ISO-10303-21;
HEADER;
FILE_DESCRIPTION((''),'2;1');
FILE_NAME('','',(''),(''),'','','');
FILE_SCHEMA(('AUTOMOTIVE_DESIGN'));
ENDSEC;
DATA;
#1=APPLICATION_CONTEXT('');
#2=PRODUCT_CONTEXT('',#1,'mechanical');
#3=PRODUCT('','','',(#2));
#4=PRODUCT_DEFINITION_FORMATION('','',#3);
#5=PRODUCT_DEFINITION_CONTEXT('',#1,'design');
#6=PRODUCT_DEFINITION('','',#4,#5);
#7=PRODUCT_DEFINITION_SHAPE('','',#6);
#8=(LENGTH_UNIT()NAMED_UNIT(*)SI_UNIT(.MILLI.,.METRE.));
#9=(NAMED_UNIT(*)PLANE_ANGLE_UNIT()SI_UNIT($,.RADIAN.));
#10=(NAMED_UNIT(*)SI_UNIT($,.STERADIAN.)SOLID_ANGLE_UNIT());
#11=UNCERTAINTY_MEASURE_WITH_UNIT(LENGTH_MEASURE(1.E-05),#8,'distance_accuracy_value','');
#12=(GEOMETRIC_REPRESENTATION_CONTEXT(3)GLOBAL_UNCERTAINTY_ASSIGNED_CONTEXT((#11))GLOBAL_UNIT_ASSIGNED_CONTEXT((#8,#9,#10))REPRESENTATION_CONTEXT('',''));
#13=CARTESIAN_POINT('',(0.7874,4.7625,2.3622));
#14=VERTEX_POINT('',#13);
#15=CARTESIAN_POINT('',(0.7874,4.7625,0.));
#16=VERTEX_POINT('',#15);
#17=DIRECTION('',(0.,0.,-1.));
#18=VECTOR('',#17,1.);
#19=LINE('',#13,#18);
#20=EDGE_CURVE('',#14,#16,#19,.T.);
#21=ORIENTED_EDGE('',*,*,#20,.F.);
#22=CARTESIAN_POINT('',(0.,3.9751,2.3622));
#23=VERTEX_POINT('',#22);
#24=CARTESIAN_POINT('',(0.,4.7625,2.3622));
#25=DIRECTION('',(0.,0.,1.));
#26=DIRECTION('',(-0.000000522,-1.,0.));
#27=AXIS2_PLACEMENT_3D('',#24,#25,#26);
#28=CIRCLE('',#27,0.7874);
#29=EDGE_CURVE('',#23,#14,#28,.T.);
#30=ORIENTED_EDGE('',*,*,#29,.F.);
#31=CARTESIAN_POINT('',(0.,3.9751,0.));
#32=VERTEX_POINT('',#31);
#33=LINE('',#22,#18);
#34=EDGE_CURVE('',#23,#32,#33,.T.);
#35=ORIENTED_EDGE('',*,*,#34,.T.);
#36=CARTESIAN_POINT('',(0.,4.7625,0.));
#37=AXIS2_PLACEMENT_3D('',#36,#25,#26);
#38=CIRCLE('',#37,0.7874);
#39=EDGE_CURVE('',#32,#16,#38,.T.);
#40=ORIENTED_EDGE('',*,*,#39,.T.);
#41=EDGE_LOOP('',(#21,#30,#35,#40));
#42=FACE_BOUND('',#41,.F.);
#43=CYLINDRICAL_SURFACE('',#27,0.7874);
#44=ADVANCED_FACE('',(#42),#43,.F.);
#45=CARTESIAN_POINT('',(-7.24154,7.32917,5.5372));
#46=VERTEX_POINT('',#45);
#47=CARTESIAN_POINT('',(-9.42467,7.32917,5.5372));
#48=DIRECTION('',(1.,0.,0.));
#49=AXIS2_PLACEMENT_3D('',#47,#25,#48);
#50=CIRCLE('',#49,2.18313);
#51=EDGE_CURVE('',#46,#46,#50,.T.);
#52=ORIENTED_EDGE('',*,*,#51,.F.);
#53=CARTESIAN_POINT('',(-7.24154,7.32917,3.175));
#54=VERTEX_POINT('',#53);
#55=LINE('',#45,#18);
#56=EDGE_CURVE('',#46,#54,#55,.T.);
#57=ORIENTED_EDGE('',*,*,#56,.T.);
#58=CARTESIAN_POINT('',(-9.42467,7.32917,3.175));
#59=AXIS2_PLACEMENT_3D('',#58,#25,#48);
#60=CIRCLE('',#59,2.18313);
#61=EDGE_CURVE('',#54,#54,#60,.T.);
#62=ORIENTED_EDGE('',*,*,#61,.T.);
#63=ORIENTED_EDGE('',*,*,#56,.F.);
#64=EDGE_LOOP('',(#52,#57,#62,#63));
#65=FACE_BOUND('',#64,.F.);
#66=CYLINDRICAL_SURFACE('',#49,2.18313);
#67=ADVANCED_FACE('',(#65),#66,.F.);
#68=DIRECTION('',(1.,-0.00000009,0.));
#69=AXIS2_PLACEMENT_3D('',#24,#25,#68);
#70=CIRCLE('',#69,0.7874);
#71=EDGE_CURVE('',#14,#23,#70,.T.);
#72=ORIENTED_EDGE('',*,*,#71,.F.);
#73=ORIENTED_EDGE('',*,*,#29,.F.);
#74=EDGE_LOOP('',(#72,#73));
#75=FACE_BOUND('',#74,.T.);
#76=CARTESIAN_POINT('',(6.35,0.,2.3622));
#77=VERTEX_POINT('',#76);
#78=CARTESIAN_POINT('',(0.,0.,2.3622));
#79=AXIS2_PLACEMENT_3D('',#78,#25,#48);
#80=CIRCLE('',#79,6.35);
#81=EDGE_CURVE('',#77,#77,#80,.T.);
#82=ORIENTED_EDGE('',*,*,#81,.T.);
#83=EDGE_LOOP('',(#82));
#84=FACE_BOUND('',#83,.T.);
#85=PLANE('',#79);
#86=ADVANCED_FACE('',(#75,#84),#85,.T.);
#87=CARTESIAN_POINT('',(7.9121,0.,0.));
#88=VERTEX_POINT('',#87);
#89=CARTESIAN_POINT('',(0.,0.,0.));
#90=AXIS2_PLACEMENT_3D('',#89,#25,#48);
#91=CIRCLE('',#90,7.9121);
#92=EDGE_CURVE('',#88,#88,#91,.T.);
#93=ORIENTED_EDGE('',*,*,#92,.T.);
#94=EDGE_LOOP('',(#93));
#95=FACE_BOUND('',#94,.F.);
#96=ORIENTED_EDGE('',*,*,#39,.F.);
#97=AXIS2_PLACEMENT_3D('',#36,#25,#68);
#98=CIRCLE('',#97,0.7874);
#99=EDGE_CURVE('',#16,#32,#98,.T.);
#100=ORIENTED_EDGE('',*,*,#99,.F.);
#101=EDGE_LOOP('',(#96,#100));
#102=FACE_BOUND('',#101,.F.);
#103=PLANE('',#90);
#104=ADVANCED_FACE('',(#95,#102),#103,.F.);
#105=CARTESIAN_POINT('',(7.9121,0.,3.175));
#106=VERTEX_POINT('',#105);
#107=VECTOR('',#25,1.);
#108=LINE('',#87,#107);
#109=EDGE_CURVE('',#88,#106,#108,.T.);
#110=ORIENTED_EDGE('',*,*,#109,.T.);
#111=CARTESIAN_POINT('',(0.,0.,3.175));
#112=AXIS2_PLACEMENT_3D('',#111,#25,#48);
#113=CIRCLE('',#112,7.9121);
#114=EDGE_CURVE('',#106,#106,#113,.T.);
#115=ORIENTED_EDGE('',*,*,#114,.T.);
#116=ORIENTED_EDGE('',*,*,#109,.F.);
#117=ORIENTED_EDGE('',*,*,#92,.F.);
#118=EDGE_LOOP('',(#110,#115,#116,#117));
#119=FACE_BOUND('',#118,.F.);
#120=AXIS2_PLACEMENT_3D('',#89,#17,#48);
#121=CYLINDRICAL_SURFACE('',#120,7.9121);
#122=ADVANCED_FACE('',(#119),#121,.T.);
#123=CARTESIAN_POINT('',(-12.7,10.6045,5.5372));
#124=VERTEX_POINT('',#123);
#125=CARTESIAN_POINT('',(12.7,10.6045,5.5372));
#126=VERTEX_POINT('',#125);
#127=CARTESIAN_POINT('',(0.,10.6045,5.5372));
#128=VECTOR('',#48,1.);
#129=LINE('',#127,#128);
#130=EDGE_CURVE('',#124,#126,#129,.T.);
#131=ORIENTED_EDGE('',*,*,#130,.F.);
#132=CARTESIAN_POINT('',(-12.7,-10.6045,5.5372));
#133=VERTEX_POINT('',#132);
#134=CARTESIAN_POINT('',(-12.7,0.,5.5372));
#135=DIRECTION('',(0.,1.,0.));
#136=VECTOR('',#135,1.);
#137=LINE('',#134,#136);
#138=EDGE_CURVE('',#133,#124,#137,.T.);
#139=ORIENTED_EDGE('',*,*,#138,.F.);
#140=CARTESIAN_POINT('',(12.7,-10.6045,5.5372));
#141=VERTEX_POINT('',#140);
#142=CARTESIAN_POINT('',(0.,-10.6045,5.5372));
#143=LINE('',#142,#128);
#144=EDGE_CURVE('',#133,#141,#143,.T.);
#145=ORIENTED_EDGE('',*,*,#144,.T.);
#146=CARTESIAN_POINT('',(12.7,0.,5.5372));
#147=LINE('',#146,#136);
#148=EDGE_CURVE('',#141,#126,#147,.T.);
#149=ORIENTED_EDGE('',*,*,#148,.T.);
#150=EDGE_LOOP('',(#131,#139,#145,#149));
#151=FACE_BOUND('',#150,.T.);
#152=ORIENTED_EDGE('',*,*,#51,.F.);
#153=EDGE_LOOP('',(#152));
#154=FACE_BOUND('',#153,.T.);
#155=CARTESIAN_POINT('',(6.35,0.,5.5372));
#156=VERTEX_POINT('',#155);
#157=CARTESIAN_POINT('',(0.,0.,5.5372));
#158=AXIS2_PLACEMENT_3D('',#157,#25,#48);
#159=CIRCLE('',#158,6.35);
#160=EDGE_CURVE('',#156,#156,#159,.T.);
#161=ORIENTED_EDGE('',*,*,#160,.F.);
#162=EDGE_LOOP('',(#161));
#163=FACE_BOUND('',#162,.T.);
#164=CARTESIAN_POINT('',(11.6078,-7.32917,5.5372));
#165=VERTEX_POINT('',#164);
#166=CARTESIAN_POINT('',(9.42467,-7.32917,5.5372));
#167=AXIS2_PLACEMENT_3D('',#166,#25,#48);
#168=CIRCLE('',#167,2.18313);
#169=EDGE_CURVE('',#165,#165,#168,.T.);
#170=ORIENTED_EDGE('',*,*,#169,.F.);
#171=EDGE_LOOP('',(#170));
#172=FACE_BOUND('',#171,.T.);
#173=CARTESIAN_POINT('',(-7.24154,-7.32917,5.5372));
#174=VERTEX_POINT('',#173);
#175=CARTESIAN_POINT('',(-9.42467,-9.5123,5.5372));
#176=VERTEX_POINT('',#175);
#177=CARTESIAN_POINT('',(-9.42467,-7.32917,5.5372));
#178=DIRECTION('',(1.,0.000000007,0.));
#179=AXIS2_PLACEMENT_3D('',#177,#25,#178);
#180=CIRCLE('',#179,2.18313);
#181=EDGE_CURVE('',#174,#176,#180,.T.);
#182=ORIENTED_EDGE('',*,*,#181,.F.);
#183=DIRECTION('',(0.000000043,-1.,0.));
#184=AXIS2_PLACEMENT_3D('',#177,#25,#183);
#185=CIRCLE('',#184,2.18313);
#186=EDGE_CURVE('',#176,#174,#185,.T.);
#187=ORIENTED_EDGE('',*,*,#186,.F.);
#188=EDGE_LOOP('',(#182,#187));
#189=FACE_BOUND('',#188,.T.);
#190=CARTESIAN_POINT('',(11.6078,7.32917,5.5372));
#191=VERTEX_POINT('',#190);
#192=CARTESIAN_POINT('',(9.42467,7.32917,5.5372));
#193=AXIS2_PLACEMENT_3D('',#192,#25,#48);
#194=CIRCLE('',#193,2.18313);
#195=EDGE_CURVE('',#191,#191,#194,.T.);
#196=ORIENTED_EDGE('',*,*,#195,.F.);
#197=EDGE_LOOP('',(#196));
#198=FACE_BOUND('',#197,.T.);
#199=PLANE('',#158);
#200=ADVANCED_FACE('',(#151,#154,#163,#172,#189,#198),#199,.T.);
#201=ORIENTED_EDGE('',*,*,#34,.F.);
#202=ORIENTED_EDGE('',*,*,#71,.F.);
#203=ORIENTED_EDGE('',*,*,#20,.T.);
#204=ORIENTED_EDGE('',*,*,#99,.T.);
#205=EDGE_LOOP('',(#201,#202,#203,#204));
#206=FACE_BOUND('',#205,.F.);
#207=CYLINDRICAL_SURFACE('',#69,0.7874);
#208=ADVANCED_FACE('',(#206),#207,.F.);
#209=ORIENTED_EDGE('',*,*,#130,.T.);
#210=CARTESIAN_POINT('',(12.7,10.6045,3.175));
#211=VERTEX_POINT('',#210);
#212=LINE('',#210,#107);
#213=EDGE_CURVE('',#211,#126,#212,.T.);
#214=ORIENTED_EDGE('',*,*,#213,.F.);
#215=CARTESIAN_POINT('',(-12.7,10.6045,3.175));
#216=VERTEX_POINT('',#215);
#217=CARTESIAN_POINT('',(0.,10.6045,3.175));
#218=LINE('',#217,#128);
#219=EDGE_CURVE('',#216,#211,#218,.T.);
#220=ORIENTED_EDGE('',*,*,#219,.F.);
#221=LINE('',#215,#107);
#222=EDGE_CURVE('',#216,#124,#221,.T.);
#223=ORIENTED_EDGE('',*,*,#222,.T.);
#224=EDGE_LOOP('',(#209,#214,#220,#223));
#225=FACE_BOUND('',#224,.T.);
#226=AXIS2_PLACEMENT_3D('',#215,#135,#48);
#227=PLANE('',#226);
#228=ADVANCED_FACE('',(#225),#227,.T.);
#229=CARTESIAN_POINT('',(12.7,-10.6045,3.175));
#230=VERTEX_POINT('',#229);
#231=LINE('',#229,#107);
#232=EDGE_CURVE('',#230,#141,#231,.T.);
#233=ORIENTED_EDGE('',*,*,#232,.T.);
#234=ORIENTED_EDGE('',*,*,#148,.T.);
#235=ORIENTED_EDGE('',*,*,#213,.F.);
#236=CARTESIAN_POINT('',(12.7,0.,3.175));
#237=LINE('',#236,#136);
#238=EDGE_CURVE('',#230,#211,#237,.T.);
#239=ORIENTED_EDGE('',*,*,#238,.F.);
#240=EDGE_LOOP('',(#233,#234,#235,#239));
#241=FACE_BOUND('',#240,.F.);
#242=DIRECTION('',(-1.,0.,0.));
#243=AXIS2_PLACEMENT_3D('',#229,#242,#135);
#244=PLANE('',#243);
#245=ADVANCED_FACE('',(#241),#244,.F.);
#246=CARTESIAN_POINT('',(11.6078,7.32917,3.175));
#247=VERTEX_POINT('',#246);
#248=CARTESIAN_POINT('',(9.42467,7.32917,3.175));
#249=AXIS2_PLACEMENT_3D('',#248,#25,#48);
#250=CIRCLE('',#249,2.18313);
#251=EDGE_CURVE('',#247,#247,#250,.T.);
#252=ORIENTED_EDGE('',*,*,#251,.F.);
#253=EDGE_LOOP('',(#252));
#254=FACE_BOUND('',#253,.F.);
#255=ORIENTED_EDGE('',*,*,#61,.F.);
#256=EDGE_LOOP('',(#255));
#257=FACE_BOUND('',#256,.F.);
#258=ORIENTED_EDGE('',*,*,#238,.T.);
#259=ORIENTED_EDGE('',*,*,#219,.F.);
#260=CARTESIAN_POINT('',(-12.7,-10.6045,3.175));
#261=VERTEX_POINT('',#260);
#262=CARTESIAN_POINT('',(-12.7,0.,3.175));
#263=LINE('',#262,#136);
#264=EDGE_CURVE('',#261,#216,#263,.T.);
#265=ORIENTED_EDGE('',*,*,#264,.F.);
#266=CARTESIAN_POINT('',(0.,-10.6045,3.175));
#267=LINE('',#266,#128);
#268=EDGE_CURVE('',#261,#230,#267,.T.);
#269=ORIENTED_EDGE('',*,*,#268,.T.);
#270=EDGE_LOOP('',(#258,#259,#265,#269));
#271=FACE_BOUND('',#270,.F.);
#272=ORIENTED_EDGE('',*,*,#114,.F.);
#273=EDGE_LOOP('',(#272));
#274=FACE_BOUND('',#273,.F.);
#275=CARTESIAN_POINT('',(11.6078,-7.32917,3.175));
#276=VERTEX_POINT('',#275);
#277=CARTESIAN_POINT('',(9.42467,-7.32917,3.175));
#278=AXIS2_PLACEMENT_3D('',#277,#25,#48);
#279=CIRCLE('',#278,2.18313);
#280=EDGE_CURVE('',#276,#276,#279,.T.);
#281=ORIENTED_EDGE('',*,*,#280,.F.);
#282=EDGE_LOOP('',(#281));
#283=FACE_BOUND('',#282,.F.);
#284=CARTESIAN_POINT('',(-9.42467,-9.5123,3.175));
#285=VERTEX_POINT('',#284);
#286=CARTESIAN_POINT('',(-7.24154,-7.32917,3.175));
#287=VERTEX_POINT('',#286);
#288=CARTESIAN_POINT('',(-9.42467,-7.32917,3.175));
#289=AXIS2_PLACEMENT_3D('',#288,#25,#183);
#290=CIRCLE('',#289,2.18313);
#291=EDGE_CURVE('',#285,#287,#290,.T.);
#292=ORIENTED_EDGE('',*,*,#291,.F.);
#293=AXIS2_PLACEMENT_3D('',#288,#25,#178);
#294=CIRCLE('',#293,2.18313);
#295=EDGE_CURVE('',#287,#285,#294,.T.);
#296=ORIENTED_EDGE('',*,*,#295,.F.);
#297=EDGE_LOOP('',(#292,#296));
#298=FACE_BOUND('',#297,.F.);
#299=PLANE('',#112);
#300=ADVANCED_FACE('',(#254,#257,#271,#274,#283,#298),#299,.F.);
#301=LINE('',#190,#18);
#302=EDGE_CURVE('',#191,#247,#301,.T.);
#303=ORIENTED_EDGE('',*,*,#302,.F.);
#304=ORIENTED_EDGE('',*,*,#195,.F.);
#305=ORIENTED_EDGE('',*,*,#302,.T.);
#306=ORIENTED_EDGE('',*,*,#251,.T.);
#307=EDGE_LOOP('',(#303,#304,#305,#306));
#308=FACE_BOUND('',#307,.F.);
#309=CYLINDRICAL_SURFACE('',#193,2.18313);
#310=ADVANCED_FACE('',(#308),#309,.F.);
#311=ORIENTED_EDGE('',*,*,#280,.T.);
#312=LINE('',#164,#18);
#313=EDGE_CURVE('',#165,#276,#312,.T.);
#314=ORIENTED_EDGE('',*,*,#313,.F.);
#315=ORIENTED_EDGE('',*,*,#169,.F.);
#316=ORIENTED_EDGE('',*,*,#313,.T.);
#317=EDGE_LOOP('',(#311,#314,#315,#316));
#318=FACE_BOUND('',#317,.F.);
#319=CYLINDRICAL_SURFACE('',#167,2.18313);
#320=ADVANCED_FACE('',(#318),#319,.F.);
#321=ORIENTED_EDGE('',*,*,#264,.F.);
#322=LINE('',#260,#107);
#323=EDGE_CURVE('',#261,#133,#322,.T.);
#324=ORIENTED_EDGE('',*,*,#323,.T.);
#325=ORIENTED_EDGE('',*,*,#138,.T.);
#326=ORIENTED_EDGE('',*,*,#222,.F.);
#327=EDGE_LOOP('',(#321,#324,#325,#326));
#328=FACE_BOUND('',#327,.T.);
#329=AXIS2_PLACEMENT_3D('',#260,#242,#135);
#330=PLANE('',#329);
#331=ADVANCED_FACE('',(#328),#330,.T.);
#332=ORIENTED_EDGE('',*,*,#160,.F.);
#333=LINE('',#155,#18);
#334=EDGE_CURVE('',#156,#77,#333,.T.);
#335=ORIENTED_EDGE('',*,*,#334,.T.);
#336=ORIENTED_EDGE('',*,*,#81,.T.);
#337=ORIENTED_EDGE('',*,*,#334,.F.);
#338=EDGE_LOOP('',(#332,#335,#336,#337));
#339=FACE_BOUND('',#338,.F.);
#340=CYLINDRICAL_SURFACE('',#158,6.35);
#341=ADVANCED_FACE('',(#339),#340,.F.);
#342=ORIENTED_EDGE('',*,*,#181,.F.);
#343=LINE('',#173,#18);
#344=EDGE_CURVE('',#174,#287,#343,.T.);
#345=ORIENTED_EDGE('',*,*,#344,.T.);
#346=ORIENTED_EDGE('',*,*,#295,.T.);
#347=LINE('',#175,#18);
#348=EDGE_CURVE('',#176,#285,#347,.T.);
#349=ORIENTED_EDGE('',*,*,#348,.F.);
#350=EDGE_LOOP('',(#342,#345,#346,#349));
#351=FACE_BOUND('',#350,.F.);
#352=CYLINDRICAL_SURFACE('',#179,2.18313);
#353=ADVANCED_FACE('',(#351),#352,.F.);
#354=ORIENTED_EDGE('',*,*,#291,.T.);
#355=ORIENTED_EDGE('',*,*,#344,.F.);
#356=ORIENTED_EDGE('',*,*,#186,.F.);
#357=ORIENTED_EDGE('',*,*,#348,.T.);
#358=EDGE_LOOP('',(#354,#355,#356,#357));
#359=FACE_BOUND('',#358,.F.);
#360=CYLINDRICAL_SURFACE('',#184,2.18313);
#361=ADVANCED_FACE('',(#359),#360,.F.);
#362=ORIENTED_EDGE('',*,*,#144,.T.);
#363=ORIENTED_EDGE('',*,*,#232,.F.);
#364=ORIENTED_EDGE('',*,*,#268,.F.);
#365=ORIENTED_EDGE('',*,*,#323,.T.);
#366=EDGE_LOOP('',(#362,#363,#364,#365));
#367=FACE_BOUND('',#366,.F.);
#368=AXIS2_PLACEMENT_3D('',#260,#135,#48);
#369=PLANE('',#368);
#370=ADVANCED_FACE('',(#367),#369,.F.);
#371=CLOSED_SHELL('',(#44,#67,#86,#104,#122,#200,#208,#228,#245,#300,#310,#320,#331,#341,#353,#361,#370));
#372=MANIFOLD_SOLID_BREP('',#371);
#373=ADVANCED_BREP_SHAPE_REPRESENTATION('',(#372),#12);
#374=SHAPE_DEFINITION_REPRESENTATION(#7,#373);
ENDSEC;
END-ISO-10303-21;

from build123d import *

# Parameters (mm, degrees)
F0_R     = 7.9121
F1_DEPTH = 3.175
F2_W     = 25.4
F2_H     = 21.209
F3_DEPTH = 2.3622
F4_R     = 6.35
F5_DEPTH = 3.175
F7_DEPTH = 2.3632
F8_R     = 2.18313
F9_DEPTH = 5.5382


with BuildPart() as f1:
    # F0 (on Top) → F1 (new body)
    with BuildSketch(Plane.XY):
        Circle(F0_R)
    extrude(amount=F1_DEPTH)

    # F2 (on face) → F3 (join)
    with BuildSketch(Plane.XY.offset(3.175)):
        Rectangle(F2_W, F2_H)
    extrude(amount=F3_DEPTH)

    # F4 (on face) → F5 (cut)
    with BuildSketch(Plane.XY.offset(5.5372)):
        Circle(F4_R)
    extrude(amount=-F5_DEPTH, mode=Mode.SUBTRACT)

    # F6 (on face) → F7 (cut, through all)
    with BuildSketch(Plane.XY.offset(2.3622)):
        with BuildLine():
            ThreePointArc((0, 3.9751), (0.556776, 4.205724), (0.7874, 4.7625))
            ThreePointArc((0.7874, 4.7625), (-0.556776, 5.319276), (0, 3.9751))
        make_face()
    extrude(amount=-F7_DEPTH, mode=Mode.SUBTRACT)

    # F8 (on face) → F9 (cut, through all)
    with BuildSketch(Plane.XY.offset(5.5372)):
        with Locations((9.42467, 7.32917)):
            Circle(F8_R)
        with BuildLine():
            ThreePointArc((-11.6078, 7.32917), (-9.42467, 5.14604), (-7.24154, 7.32917))
            ThreePointArc((-7.24154, 7.32917), (-9.42467, 9.5123), (-11.6078, 7.32917))
        make_face()
        with BuildLine():
            ThreePointArc((-9.42467, -9.5123), (-7.880964, -8.872876), (-7.24154, -7.32917))
            ThreePointArc((-7.24154, -7.32917), (-10.968376, -5.785464), (-9.42467, -9.5123))
        make_face()
        with Locations((9.42467, -7.32917)):
            Circle(F8_R)
    extrude(amount=-F9_DEPTH, mode=Mode.SUBTRACT)


solid = f1.part
